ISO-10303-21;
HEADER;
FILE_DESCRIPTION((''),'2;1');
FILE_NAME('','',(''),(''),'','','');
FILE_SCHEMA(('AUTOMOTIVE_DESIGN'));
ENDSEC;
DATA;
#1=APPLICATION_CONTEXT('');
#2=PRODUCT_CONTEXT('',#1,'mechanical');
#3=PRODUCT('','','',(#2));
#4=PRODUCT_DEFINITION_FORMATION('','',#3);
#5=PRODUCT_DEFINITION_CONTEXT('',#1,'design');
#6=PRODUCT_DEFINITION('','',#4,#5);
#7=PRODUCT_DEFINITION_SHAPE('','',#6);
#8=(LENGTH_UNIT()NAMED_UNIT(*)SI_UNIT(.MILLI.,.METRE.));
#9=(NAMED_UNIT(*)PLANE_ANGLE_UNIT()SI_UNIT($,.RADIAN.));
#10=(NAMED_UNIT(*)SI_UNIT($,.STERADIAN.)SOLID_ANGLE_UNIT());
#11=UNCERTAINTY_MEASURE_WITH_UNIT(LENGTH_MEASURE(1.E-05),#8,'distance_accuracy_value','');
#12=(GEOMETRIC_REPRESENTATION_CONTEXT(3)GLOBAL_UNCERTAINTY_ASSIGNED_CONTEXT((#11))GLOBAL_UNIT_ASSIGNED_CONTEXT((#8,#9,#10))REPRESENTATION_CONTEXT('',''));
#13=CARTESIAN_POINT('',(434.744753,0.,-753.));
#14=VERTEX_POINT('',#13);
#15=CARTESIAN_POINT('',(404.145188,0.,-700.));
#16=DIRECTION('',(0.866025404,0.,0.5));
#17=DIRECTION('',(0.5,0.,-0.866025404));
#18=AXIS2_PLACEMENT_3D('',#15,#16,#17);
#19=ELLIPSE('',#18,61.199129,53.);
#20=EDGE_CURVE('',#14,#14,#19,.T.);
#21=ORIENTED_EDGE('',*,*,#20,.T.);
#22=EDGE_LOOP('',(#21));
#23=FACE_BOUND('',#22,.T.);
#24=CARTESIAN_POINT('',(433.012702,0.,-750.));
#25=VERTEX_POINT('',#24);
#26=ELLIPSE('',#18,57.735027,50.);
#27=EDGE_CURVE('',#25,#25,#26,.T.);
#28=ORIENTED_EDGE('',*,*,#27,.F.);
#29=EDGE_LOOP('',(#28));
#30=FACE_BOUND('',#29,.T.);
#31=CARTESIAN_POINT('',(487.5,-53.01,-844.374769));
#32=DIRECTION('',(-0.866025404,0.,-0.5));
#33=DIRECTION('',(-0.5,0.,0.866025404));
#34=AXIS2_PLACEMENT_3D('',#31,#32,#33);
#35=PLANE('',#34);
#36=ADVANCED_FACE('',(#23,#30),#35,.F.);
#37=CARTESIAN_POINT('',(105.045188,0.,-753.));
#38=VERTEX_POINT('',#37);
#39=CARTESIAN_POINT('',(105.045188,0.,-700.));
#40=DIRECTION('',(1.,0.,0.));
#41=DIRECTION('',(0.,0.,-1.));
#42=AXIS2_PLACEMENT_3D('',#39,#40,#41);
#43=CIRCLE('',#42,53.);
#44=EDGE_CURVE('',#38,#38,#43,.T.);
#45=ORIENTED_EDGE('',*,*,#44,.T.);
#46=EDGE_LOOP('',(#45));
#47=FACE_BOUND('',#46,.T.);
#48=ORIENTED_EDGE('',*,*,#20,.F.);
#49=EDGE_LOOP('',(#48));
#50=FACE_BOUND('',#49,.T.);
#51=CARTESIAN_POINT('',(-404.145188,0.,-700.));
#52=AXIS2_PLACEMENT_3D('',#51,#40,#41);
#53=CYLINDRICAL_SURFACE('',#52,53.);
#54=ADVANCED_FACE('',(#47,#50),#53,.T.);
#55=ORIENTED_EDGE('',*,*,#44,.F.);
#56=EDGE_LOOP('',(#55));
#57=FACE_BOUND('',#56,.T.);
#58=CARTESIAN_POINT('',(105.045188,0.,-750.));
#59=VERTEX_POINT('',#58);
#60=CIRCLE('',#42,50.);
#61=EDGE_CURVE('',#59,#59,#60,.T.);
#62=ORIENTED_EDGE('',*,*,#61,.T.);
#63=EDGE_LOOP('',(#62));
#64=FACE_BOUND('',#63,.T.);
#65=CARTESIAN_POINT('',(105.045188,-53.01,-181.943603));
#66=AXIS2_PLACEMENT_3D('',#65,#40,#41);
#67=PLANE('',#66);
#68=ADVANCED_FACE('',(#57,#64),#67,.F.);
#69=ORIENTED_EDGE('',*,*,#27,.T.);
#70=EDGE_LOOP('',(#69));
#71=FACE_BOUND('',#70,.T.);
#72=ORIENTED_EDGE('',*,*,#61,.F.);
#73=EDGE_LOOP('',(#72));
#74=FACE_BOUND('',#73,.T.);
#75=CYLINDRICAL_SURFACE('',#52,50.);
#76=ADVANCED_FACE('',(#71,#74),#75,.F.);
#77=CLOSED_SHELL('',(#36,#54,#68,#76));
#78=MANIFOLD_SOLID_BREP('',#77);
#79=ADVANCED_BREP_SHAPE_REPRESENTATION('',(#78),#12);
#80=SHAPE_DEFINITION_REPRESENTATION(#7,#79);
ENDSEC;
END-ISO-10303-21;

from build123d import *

# Parameters (mm, degrees)
SKETCH3_R              = 53
SKETCH3_R_2            = 50
SPLIT1_SURFACE_1_BACK  = 2303.894
SPLIT1_SURFACE_1_DEPTH = 4607.788


with BuildPart() as part:
    # Sweep1: sweep along a path in Sketch2
    with BuildLine(Plane(origin=(0, 0, 0), x_dir=(1, 0, 0), z_dir=(0, 1, 0))) as sweep1_path:
        Line((-404.145188433, -700), (404.145188433, -700))
        Line((404.145188433, -700), (808.290376865, 0))
        Line((808.290376865, 0), (404.145188433, 700))
        Line((404.145188433, 700), (-404.145188433, 700))
        Line((-404.145188433, 700), (-808.290376865, 0))
        Line((-808.290376865, 0), (-404.145188433, -700))
    # Sketch3 → Sweep1 (sweep)
    with BuildSketch(Plane(origin=(0, 0, 0), x_dir=(0, 0, -1), z_dir=(1, 0, 0))):
        with Locations((-700, 0)):
            Circle(SKETCH3_R)
        with Locations((-700, 0)):
            Circle(SKETCH3_R_2, mode=Mode.SUBTRACT)
    sweep(path=sweep1_path.line, transition=Transition.RIGHT)

    # Split1: cut with a surface, the side behind it stays
    # Split1 surface: a surface, the sketch's curves swept straight by 4607.788 mm
    with BuildLine(Plane(origin=(0, 0, 0), x_dir=(1, 0, 0), z_dir=(0, 1, 0)).offset(-SPLIT1_SURFACE_1_BACK), mode=Mode.PRIVATE) as split1_surface_1_path:
        Line((487.5, 844.37476869), (105.045188433, 181.943603456))
        Line((105.045188433, 181.943603456), (105.045188433, 969.324769304))
    split1_surface_1 = Shell.extrude(split1_surface_1_path.wire(), (0 * SPLIT1_SURFACE_1_DEPTH, 1 * SPLIT1_SURFACE_1_DEPTH, 0 * SPLIT1_SURFACE_1_DEPTH))
    split(bisect_by=split1_surface_1, keep=Keep.BOTTOM)


solid = part.part
